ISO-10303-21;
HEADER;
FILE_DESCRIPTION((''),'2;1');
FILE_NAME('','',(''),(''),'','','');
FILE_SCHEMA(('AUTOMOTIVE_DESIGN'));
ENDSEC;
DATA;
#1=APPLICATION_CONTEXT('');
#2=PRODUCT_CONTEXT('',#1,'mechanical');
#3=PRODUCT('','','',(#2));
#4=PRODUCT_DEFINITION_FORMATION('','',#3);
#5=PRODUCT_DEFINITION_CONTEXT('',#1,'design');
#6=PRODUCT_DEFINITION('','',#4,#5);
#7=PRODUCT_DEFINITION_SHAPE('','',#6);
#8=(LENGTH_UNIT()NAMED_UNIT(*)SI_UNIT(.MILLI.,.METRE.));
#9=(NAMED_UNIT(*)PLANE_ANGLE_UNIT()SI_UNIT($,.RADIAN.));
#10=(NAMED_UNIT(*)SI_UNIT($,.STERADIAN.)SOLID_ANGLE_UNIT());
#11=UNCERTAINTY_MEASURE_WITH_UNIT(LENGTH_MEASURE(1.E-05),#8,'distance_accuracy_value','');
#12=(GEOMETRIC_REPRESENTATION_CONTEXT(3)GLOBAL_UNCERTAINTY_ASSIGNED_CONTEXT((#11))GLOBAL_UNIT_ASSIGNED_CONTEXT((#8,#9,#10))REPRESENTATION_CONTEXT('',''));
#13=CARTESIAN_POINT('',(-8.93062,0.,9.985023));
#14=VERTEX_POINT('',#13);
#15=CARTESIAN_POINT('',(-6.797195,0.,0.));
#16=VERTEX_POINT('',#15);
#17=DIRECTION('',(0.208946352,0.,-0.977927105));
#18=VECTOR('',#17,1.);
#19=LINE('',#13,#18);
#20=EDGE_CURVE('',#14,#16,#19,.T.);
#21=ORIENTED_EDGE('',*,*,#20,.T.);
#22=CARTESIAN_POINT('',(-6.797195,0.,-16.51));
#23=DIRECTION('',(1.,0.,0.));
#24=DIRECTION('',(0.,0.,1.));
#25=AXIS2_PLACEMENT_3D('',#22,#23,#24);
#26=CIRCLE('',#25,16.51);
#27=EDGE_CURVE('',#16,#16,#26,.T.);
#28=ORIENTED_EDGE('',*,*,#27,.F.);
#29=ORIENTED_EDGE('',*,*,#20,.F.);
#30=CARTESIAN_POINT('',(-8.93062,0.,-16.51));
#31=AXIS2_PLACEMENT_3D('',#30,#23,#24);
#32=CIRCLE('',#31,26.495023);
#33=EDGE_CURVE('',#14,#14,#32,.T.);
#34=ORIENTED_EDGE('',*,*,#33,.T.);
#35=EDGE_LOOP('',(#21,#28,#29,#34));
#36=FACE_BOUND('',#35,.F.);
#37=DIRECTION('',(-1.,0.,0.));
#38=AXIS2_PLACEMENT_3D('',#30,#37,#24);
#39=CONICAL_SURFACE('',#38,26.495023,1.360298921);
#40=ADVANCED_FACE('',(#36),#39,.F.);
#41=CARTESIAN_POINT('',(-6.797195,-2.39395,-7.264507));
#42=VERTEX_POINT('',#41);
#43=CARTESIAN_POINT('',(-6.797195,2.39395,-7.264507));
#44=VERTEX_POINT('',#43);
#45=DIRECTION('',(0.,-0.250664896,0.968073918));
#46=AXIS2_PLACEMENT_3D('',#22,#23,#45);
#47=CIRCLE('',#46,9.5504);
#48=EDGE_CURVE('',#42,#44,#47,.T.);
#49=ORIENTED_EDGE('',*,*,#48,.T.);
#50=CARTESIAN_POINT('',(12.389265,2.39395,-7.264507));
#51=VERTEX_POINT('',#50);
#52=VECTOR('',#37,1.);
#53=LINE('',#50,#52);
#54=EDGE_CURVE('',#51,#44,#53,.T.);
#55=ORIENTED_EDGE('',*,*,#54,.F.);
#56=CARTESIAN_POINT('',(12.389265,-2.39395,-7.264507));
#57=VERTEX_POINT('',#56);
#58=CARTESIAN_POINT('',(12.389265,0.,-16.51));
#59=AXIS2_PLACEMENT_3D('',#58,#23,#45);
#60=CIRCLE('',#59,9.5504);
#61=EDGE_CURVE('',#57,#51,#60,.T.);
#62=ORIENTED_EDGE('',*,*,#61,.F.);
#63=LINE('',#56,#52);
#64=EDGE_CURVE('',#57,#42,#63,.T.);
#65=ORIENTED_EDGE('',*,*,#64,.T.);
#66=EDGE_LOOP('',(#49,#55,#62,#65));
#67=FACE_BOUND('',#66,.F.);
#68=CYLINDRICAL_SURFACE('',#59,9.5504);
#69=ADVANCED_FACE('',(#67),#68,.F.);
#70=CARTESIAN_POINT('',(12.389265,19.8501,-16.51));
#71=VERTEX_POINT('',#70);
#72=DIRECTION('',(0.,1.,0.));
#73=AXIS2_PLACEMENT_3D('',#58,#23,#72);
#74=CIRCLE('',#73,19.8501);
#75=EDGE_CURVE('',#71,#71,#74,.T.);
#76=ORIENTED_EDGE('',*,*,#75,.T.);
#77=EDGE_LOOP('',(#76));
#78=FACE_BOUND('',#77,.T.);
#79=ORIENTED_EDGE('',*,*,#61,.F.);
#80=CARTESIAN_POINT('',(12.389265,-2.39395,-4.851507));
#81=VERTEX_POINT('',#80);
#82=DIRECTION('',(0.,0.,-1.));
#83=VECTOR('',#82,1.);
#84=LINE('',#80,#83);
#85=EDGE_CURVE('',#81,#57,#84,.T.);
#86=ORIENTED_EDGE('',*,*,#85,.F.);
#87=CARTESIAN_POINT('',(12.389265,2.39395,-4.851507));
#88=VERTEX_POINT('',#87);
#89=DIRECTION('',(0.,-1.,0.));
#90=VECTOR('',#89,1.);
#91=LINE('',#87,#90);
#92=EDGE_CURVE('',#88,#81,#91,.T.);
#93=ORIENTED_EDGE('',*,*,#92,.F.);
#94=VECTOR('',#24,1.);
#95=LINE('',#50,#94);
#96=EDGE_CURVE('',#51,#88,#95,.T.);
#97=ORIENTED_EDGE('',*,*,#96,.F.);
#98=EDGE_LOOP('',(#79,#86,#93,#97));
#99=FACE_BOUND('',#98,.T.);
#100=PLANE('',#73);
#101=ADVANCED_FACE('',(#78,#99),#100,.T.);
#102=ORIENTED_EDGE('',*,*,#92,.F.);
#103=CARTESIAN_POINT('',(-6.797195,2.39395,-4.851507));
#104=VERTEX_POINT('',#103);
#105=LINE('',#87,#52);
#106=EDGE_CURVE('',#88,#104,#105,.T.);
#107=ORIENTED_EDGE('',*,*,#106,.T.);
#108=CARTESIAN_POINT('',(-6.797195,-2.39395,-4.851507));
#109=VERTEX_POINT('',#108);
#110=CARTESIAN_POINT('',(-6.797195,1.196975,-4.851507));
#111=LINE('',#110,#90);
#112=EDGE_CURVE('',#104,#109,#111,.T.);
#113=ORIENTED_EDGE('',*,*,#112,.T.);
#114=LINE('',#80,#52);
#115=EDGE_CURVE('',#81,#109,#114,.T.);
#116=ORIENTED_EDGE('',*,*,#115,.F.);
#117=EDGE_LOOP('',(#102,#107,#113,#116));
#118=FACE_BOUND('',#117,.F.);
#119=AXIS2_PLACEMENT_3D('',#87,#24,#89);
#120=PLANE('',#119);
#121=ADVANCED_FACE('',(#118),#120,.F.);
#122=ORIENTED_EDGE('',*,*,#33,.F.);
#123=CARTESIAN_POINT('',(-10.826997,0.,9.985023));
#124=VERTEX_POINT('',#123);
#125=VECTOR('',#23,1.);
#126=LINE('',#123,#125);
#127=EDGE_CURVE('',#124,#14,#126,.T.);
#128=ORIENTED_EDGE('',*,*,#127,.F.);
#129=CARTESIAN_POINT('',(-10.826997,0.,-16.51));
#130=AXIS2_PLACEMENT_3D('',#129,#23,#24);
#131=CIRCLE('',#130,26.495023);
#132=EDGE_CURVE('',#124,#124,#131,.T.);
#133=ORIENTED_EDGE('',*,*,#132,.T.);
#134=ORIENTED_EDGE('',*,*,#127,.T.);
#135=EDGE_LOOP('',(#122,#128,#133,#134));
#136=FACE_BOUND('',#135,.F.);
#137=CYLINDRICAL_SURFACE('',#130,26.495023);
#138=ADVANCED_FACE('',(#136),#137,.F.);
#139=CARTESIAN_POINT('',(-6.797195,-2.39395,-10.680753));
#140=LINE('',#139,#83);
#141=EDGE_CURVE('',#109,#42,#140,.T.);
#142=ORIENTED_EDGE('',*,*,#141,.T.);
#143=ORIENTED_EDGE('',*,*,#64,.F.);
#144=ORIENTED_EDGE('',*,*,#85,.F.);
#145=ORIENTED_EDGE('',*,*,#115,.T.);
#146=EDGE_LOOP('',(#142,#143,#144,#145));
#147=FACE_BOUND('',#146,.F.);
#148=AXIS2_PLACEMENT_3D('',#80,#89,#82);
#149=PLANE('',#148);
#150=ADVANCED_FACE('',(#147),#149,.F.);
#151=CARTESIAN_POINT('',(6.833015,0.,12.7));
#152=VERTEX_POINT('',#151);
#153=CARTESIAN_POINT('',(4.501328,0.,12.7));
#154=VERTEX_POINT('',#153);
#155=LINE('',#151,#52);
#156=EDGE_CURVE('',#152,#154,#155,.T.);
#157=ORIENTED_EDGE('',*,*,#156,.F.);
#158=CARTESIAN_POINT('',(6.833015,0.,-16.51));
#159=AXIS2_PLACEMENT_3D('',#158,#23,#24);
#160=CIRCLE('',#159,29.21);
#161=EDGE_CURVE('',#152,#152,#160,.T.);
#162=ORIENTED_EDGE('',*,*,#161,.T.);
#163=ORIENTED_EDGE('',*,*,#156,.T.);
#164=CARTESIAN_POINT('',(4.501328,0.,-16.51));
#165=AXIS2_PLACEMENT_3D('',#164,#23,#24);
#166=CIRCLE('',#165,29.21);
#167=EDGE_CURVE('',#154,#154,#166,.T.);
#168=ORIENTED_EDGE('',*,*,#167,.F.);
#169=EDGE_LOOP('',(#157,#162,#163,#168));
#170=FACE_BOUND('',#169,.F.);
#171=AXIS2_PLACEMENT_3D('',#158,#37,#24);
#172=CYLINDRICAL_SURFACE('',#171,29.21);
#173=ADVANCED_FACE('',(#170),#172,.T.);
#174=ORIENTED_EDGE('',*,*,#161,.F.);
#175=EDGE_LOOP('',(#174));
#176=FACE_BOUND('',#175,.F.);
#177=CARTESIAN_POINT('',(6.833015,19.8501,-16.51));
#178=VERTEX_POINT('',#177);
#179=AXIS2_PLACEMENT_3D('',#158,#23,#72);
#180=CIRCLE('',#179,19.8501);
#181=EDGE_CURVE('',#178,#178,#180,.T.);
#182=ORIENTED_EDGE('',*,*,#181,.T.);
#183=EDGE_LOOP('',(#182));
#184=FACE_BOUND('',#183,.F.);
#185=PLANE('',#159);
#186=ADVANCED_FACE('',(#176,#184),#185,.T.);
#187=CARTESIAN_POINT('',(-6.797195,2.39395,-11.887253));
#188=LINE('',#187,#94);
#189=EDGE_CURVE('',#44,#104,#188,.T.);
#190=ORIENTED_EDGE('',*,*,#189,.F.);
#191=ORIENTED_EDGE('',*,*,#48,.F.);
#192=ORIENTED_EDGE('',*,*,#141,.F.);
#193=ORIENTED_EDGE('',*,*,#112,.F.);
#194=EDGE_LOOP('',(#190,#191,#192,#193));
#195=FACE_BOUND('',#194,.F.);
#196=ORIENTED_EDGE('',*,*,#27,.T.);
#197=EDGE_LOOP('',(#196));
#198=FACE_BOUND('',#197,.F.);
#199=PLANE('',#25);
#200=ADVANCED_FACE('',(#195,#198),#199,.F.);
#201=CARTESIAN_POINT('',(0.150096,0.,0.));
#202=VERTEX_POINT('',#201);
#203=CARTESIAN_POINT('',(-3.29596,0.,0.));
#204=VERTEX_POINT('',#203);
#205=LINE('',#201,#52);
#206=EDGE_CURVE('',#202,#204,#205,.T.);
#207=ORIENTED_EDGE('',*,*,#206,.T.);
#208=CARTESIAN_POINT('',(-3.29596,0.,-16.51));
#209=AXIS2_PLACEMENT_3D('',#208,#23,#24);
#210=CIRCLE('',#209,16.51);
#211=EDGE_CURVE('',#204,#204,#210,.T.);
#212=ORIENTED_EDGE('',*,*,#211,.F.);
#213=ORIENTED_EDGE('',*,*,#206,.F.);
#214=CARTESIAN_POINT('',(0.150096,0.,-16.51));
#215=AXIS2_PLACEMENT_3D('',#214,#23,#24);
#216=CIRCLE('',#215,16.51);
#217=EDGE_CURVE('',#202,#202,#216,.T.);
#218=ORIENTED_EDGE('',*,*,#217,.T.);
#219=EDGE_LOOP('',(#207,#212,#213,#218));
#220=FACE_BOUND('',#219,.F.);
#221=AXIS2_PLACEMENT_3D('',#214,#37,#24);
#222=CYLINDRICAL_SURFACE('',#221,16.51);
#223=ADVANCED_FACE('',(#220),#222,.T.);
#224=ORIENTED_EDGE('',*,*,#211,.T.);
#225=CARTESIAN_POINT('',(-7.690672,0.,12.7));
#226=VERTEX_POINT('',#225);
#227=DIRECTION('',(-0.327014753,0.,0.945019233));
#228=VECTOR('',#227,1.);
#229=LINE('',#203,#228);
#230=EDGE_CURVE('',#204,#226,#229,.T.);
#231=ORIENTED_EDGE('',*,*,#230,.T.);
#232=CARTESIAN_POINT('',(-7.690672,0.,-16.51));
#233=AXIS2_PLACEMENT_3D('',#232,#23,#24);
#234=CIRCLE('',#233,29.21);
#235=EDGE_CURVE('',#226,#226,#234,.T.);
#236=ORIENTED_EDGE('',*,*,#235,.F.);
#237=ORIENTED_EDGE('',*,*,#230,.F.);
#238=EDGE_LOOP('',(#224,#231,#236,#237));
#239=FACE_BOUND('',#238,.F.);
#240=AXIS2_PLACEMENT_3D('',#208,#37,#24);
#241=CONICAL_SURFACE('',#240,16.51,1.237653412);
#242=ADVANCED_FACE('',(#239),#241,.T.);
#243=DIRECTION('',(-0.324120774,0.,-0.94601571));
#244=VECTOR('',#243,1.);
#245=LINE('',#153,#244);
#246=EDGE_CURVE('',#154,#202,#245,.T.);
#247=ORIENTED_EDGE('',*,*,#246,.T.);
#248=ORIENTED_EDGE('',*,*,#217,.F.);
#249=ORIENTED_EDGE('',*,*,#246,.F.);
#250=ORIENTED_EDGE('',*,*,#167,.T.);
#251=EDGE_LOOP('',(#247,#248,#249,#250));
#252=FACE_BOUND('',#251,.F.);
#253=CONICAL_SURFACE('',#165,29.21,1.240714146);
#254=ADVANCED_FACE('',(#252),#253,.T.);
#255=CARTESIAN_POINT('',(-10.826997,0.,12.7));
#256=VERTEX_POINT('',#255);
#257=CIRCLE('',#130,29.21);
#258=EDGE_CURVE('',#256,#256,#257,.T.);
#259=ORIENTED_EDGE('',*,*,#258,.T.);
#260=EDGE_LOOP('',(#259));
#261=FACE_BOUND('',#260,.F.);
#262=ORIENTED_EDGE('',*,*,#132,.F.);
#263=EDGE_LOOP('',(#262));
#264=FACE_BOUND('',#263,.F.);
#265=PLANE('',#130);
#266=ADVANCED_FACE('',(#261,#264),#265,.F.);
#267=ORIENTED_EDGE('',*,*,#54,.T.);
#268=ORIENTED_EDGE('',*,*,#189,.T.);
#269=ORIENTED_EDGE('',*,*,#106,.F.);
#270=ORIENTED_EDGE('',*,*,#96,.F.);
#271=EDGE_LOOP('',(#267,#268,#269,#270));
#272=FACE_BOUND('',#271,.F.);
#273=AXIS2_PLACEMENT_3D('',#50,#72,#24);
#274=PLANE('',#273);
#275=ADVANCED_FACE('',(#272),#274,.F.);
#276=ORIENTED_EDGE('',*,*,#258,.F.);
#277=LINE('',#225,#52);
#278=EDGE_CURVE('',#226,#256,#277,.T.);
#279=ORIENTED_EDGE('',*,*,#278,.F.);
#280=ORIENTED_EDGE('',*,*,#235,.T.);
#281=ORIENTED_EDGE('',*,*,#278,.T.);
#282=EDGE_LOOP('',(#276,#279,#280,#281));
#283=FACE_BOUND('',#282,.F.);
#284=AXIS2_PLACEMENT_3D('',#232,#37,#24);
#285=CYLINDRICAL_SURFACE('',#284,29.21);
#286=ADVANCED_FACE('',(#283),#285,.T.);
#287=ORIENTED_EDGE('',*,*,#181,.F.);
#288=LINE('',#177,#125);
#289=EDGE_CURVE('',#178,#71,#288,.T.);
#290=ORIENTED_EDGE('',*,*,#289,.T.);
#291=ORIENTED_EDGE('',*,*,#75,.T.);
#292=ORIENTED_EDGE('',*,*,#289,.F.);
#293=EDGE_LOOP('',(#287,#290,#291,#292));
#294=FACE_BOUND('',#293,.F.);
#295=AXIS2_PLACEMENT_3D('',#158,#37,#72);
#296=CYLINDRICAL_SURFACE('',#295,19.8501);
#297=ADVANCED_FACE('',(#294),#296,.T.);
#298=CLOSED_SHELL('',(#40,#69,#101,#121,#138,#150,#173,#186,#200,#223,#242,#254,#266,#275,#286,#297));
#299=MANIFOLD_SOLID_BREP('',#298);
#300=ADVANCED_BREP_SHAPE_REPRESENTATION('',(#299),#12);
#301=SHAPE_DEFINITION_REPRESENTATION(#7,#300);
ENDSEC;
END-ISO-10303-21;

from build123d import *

# Parameters (mm, degrees)
F2_R     = 19.8501
F3_DEPTH = 5.55625
F5_DEPTH = 254


with BuildPart() as f1:
    # F0 (on Front) → F1 (revolve)
    with BuildSketch(Plane.XZ):
        Polygon((0.150096, 0), (0, 0), (-3.29596, 0), (-7.690672, 12.7), (-10.826997, 12.7), (-10.826997, 9.985023), (-8.93062, 9.985023), (-6.797195, 0), (-6.797195, -4.826381), (-6.797195, -16.51), (6.833015, -16.51), (6.833015, 12.7), (4.501328, 12.7), align=None)
    revolve(axis=Axis((0.01791, 0, -16.51), (1, 0, 0)))

    # F2 (on face) → F3 (join)
    with BuildSketch(Plane.YZ.offset(6.833015)):
        with Locations((0, -16.51)):
            Circle(F2_R)
    extrude(amount=F3_DEPTH)

    # F4 (on face) → F5 (cut)
    with BuildSketch(Plane.YZ.offset(12.389265)):
        with BuildLine():
            Line((-2.39395, -4.851507), (-2.39395, -7.264507))
            ThreePointArc((-2.39395, -7.264507), (0, -26.0604), (2.39395, -7.264507))
            Line((2.39395, -7.264507), (2.39395, -4.851507))
            Line((2.39395, -4.851507), (0, -4.851507))
            Line((0, -4.851507), (-2.39395, -4.851507))
        make_face()
    extrude(amount=-F5_DEPTH, mode=Mode.SUBTRACT)


solid = f1.part
